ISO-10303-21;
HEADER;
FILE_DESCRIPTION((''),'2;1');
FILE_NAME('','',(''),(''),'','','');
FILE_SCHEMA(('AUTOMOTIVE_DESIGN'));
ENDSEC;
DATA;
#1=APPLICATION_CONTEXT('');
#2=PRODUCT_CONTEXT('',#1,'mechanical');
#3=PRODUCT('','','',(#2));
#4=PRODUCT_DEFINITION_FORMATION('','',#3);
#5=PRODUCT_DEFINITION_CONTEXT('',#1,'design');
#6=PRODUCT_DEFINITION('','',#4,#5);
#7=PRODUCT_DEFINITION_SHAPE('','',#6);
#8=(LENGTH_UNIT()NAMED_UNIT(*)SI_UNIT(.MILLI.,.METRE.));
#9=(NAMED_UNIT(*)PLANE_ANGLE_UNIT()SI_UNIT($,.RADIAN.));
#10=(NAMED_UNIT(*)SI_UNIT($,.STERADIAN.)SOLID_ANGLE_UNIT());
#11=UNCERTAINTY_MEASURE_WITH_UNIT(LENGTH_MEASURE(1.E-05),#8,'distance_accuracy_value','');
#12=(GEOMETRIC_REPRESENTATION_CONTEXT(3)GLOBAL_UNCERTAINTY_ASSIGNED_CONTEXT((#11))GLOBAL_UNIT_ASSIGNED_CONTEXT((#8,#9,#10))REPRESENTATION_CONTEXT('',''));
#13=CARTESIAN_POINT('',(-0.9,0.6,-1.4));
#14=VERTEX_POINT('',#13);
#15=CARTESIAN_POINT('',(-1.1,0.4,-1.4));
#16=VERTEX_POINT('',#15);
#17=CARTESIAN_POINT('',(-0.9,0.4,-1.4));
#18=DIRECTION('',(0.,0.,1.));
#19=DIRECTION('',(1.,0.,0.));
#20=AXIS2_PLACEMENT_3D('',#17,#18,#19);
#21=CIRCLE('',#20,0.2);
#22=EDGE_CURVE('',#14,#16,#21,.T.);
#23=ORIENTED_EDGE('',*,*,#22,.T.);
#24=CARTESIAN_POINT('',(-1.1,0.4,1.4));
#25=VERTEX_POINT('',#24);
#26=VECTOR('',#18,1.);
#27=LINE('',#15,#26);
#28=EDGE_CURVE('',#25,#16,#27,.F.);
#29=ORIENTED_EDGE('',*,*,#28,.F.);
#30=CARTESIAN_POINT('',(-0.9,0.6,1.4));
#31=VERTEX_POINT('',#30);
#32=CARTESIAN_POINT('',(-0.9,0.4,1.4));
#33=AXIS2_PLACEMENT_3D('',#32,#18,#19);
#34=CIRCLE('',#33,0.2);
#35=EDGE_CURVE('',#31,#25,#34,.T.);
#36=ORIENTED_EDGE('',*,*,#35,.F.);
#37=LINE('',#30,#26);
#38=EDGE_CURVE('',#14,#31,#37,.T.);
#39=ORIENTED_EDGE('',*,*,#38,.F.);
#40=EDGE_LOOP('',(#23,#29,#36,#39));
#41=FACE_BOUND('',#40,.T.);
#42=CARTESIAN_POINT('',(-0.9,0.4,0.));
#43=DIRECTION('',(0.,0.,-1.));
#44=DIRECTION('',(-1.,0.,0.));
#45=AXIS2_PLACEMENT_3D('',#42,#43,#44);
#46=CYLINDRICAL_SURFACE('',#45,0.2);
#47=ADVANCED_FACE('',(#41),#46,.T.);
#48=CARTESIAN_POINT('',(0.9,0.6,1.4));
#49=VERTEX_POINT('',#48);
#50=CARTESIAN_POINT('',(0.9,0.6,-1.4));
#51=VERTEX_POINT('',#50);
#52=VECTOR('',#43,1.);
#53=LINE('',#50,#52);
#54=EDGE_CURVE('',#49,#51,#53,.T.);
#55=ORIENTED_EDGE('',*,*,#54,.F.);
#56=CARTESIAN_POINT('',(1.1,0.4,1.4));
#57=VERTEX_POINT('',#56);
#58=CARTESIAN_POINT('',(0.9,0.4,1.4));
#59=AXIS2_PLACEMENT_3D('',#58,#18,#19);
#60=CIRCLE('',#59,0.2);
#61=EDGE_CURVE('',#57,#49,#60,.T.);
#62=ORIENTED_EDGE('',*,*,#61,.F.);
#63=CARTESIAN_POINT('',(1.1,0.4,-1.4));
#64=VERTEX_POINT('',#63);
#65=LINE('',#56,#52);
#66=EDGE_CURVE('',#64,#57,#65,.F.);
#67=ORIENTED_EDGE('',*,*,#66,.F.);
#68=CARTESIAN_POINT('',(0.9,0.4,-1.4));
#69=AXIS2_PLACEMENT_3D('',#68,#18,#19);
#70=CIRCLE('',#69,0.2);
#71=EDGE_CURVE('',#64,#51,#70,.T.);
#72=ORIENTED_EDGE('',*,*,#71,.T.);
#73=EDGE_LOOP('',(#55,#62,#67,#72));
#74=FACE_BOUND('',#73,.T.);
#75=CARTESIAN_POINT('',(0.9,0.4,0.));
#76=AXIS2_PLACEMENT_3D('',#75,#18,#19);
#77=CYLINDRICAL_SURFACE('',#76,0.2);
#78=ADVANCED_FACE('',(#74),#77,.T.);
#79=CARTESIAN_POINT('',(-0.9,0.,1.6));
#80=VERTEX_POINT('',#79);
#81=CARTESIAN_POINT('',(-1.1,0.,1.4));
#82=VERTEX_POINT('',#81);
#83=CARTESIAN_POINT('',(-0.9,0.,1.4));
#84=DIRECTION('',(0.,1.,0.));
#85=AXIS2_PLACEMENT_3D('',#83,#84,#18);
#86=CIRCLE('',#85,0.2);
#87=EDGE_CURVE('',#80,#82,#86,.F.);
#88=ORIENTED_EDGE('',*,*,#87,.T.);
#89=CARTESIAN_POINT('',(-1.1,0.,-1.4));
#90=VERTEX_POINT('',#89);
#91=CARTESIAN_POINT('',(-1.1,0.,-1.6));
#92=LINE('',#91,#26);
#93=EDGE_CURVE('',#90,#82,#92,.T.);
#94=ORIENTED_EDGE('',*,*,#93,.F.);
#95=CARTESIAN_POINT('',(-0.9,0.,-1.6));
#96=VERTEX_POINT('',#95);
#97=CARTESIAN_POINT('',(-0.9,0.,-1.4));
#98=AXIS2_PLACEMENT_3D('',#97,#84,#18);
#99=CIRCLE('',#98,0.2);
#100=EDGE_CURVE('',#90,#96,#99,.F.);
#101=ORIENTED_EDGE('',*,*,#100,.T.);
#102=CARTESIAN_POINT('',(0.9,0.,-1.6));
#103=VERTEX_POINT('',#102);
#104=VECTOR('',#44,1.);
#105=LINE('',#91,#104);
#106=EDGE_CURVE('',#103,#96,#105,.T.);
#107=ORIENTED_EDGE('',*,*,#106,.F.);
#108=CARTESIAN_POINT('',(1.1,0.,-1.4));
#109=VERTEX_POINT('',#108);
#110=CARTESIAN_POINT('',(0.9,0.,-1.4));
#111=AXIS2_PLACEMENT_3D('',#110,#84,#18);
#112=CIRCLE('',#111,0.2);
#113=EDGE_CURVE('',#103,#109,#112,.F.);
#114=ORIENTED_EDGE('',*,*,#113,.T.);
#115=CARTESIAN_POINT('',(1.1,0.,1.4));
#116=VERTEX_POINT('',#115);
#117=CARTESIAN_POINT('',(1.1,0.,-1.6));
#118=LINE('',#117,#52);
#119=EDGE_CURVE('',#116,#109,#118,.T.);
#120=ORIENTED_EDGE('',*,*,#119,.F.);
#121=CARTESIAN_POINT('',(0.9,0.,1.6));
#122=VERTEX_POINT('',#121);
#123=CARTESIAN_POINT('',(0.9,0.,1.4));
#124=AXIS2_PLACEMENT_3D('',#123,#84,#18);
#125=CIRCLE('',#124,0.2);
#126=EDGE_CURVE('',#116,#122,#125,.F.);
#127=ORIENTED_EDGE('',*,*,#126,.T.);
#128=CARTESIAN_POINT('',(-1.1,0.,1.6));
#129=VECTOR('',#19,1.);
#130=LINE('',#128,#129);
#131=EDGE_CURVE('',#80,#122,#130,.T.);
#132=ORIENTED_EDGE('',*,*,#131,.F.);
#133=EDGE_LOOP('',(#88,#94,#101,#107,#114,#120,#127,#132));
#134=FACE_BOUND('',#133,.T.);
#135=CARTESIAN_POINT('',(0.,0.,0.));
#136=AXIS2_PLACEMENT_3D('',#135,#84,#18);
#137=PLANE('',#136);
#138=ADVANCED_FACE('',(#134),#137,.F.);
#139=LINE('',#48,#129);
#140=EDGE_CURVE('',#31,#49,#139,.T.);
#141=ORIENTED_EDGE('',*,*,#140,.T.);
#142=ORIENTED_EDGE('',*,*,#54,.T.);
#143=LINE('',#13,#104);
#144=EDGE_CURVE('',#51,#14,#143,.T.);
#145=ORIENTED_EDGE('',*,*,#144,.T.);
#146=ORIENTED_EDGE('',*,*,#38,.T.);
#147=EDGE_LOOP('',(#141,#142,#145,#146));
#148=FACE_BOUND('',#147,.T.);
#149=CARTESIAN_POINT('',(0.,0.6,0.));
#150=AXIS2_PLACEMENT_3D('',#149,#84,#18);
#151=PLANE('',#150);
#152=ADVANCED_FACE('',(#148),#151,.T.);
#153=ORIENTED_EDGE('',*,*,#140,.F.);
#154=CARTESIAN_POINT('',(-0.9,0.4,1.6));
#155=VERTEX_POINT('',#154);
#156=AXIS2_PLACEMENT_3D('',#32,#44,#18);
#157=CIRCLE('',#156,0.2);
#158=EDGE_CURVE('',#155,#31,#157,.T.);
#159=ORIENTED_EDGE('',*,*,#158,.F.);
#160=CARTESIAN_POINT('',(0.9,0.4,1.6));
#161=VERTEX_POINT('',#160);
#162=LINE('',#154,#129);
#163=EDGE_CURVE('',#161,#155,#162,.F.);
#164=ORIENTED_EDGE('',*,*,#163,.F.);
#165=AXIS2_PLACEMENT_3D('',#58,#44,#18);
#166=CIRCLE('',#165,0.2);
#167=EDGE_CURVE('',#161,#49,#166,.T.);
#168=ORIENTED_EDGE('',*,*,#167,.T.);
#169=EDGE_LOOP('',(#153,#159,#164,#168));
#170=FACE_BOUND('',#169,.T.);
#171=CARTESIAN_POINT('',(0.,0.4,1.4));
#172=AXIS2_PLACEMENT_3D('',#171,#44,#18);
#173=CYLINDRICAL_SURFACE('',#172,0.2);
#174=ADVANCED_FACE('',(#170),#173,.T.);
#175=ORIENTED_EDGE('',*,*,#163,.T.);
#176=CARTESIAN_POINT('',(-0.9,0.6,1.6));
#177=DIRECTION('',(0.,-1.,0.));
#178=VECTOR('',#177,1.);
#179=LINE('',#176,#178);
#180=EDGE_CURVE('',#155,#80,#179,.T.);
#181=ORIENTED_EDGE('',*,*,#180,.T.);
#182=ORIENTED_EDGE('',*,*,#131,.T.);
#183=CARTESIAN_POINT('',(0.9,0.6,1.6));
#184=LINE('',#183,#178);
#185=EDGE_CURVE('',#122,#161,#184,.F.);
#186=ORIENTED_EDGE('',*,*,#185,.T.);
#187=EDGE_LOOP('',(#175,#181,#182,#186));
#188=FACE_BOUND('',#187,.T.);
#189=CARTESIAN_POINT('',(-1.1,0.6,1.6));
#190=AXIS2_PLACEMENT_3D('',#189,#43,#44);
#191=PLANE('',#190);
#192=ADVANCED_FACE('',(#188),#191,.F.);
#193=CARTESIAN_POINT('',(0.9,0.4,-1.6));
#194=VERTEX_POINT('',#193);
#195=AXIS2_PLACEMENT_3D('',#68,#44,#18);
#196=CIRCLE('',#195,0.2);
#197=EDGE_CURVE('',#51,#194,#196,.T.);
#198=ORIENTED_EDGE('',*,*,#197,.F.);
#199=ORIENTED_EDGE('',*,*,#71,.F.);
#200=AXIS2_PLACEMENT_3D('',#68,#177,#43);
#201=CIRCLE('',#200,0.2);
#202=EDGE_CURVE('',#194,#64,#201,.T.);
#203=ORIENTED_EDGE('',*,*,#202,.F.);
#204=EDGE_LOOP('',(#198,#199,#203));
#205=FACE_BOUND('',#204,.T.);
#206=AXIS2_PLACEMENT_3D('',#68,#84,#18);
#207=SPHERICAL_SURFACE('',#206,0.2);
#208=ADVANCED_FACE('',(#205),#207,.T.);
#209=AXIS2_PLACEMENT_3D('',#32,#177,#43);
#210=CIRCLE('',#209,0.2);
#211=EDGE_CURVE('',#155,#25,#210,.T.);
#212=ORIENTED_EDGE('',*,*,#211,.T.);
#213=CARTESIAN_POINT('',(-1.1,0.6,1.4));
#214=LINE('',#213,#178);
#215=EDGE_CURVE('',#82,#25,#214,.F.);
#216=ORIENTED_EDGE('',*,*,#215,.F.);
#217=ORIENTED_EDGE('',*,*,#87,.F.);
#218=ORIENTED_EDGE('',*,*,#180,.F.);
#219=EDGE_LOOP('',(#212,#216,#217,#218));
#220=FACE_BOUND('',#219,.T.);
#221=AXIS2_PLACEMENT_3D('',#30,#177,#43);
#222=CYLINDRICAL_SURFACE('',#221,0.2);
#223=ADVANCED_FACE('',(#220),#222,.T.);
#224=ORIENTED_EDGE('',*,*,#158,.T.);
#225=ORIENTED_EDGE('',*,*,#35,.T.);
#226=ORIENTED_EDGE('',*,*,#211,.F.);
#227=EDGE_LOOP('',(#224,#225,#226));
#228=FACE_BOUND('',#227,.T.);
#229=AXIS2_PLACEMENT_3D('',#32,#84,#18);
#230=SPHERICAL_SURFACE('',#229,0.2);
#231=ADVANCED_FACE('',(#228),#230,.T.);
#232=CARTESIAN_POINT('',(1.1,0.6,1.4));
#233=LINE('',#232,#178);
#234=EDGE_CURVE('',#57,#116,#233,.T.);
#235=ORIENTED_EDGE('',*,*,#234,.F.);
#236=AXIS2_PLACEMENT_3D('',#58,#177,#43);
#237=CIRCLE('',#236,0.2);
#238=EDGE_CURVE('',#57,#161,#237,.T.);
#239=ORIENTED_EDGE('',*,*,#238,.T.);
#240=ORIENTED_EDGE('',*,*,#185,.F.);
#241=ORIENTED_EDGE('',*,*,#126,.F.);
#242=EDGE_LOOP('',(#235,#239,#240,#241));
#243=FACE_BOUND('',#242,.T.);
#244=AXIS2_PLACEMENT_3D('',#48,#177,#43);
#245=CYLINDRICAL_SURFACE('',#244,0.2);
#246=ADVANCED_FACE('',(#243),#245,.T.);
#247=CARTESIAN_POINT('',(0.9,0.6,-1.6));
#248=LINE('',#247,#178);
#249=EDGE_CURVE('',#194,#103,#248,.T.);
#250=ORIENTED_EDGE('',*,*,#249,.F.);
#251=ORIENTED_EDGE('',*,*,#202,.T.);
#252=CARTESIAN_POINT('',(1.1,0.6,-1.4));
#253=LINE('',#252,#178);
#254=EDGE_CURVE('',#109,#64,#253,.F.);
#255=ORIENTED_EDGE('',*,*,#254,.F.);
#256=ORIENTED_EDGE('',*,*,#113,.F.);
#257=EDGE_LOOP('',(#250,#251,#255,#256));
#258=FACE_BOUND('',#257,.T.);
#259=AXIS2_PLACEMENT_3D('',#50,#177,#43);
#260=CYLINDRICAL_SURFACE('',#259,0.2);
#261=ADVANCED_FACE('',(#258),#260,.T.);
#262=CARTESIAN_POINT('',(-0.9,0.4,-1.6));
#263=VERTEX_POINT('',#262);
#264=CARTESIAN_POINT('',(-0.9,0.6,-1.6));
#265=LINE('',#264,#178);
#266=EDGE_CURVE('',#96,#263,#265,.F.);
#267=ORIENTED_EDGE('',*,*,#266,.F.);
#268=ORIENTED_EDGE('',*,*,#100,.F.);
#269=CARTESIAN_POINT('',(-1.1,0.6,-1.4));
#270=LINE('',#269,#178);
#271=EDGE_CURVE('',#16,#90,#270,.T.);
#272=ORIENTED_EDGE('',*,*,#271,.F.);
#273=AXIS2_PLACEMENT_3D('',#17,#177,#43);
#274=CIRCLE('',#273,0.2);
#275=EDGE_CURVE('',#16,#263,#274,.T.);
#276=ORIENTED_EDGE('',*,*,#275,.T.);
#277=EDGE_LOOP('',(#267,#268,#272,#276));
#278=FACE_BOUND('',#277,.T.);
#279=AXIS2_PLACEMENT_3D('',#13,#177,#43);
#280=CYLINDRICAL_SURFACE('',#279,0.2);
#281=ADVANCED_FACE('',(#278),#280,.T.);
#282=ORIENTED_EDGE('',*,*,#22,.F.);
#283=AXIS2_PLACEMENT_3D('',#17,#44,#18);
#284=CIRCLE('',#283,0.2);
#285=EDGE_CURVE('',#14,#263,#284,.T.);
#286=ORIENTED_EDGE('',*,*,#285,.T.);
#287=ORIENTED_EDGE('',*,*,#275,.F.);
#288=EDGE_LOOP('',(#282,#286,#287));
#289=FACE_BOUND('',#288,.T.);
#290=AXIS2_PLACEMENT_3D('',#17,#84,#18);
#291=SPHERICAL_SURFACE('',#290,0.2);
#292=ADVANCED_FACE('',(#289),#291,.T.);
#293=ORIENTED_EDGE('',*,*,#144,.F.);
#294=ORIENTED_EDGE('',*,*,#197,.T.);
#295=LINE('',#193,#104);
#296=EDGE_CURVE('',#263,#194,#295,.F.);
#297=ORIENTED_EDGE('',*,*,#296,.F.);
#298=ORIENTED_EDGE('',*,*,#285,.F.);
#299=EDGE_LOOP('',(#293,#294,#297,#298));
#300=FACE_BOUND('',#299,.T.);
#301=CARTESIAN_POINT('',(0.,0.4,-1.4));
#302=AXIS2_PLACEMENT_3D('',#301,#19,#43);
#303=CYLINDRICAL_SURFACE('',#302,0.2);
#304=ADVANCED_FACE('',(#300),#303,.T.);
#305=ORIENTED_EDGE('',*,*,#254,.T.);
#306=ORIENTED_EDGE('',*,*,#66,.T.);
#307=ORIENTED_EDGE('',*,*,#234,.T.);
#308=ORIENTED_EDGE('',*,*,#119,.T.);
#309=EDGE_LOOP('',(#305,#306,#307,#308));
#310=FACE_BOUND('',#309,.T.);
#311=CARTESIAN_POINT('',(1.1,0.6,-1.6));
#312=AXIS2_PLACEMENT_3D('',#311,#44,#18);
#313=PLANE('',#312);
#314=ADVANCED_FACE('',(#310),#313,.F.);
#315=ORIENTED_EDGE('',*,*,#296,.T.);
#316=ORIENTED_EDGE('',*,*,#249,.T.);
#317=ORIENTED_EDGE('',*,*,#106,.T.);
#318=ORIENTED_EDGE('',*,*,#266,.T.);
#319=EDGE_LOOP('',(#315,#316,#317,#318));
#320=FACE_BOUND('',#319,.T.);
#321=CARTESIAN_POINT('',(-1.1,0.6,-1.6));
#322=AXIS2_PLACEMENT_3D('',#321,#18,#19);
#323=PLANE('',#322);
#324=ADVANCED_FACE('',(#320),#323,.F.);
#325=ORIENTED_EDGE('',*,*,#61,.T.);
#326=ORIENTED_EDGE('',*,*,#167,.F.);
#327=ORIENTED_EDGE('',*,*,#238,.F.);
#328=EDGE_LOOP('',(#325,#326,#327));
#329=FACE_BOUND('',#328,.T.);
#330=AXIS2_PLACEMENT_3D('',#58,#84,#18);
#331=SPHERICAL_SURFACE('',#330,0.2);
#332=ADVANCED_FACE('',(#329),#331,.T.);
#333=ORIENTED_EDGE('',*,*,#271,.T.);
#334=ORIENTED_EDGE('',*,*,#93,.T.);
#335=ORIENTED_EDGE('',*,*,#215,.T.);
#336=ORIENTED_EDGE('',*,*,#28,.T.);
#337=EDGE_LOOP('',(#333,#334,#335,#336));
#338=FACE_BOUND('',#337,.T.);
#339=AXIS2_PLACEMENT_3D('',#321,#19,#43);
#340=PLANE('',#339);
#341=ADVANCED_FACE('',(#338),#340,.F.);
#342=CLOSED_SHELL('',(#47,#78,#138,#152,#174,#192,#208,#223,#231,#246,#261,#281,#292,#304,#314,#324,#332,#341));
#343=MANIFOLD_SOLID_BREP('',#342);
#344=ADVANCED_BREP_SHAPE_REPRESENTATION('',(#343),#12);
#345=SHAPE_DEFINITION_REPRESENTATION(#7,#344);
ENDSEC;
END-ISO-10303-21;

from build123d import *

# Parameters (mm, degrees)
BASES_W    = 2.2
BASES_H    = 3.2
BASE_DEPTH = 0.6
SIDEF_R    = 0.2
TOPF_R     = 0.2


with BuildPart() as part:
    # BaseS → Base (new body)
    with BuildSketch(Plane(origin=(0, 0, 0), x_dir=(1, 0, 0), z_dir=(0, 1, 0))):
        Rectangle(BASES_W, BASES_H)
    extrude(amount=BASE_DEPTH)

    # SideF
    sidef_edges = [part.edges().sort_by_distance(p)[0] for p in [
        (1.1, 0.3, 1.6),
        (-1.1, 0.3, 1.6),
        (-1.1, 0.3, -1.6),
        (1.1, 0.3, -1.6),
    ]]
    fillet(sidef_edges, radius=SIDEF_R)

    # TopF
    topf_edges = [part.edges().sort_by_distance(p)[0] for p in [
        (1.1, 0.6, 0),
        (0, 0.6, 1.6),
        (0, 0.6, -1.6),
        (-1.1, 0.6, 0),
        (-1.041421356, 0.6, -1.541421356),
        (-1.041421356, 0.6, 1.541421356),
        (1.041421356, 0.6, -1.541421356),
        (1.041421356, 0.6, 1.541421356),
    ]]
    fillet(topf_edges, radius=TOPF_R)


solid = part.part
